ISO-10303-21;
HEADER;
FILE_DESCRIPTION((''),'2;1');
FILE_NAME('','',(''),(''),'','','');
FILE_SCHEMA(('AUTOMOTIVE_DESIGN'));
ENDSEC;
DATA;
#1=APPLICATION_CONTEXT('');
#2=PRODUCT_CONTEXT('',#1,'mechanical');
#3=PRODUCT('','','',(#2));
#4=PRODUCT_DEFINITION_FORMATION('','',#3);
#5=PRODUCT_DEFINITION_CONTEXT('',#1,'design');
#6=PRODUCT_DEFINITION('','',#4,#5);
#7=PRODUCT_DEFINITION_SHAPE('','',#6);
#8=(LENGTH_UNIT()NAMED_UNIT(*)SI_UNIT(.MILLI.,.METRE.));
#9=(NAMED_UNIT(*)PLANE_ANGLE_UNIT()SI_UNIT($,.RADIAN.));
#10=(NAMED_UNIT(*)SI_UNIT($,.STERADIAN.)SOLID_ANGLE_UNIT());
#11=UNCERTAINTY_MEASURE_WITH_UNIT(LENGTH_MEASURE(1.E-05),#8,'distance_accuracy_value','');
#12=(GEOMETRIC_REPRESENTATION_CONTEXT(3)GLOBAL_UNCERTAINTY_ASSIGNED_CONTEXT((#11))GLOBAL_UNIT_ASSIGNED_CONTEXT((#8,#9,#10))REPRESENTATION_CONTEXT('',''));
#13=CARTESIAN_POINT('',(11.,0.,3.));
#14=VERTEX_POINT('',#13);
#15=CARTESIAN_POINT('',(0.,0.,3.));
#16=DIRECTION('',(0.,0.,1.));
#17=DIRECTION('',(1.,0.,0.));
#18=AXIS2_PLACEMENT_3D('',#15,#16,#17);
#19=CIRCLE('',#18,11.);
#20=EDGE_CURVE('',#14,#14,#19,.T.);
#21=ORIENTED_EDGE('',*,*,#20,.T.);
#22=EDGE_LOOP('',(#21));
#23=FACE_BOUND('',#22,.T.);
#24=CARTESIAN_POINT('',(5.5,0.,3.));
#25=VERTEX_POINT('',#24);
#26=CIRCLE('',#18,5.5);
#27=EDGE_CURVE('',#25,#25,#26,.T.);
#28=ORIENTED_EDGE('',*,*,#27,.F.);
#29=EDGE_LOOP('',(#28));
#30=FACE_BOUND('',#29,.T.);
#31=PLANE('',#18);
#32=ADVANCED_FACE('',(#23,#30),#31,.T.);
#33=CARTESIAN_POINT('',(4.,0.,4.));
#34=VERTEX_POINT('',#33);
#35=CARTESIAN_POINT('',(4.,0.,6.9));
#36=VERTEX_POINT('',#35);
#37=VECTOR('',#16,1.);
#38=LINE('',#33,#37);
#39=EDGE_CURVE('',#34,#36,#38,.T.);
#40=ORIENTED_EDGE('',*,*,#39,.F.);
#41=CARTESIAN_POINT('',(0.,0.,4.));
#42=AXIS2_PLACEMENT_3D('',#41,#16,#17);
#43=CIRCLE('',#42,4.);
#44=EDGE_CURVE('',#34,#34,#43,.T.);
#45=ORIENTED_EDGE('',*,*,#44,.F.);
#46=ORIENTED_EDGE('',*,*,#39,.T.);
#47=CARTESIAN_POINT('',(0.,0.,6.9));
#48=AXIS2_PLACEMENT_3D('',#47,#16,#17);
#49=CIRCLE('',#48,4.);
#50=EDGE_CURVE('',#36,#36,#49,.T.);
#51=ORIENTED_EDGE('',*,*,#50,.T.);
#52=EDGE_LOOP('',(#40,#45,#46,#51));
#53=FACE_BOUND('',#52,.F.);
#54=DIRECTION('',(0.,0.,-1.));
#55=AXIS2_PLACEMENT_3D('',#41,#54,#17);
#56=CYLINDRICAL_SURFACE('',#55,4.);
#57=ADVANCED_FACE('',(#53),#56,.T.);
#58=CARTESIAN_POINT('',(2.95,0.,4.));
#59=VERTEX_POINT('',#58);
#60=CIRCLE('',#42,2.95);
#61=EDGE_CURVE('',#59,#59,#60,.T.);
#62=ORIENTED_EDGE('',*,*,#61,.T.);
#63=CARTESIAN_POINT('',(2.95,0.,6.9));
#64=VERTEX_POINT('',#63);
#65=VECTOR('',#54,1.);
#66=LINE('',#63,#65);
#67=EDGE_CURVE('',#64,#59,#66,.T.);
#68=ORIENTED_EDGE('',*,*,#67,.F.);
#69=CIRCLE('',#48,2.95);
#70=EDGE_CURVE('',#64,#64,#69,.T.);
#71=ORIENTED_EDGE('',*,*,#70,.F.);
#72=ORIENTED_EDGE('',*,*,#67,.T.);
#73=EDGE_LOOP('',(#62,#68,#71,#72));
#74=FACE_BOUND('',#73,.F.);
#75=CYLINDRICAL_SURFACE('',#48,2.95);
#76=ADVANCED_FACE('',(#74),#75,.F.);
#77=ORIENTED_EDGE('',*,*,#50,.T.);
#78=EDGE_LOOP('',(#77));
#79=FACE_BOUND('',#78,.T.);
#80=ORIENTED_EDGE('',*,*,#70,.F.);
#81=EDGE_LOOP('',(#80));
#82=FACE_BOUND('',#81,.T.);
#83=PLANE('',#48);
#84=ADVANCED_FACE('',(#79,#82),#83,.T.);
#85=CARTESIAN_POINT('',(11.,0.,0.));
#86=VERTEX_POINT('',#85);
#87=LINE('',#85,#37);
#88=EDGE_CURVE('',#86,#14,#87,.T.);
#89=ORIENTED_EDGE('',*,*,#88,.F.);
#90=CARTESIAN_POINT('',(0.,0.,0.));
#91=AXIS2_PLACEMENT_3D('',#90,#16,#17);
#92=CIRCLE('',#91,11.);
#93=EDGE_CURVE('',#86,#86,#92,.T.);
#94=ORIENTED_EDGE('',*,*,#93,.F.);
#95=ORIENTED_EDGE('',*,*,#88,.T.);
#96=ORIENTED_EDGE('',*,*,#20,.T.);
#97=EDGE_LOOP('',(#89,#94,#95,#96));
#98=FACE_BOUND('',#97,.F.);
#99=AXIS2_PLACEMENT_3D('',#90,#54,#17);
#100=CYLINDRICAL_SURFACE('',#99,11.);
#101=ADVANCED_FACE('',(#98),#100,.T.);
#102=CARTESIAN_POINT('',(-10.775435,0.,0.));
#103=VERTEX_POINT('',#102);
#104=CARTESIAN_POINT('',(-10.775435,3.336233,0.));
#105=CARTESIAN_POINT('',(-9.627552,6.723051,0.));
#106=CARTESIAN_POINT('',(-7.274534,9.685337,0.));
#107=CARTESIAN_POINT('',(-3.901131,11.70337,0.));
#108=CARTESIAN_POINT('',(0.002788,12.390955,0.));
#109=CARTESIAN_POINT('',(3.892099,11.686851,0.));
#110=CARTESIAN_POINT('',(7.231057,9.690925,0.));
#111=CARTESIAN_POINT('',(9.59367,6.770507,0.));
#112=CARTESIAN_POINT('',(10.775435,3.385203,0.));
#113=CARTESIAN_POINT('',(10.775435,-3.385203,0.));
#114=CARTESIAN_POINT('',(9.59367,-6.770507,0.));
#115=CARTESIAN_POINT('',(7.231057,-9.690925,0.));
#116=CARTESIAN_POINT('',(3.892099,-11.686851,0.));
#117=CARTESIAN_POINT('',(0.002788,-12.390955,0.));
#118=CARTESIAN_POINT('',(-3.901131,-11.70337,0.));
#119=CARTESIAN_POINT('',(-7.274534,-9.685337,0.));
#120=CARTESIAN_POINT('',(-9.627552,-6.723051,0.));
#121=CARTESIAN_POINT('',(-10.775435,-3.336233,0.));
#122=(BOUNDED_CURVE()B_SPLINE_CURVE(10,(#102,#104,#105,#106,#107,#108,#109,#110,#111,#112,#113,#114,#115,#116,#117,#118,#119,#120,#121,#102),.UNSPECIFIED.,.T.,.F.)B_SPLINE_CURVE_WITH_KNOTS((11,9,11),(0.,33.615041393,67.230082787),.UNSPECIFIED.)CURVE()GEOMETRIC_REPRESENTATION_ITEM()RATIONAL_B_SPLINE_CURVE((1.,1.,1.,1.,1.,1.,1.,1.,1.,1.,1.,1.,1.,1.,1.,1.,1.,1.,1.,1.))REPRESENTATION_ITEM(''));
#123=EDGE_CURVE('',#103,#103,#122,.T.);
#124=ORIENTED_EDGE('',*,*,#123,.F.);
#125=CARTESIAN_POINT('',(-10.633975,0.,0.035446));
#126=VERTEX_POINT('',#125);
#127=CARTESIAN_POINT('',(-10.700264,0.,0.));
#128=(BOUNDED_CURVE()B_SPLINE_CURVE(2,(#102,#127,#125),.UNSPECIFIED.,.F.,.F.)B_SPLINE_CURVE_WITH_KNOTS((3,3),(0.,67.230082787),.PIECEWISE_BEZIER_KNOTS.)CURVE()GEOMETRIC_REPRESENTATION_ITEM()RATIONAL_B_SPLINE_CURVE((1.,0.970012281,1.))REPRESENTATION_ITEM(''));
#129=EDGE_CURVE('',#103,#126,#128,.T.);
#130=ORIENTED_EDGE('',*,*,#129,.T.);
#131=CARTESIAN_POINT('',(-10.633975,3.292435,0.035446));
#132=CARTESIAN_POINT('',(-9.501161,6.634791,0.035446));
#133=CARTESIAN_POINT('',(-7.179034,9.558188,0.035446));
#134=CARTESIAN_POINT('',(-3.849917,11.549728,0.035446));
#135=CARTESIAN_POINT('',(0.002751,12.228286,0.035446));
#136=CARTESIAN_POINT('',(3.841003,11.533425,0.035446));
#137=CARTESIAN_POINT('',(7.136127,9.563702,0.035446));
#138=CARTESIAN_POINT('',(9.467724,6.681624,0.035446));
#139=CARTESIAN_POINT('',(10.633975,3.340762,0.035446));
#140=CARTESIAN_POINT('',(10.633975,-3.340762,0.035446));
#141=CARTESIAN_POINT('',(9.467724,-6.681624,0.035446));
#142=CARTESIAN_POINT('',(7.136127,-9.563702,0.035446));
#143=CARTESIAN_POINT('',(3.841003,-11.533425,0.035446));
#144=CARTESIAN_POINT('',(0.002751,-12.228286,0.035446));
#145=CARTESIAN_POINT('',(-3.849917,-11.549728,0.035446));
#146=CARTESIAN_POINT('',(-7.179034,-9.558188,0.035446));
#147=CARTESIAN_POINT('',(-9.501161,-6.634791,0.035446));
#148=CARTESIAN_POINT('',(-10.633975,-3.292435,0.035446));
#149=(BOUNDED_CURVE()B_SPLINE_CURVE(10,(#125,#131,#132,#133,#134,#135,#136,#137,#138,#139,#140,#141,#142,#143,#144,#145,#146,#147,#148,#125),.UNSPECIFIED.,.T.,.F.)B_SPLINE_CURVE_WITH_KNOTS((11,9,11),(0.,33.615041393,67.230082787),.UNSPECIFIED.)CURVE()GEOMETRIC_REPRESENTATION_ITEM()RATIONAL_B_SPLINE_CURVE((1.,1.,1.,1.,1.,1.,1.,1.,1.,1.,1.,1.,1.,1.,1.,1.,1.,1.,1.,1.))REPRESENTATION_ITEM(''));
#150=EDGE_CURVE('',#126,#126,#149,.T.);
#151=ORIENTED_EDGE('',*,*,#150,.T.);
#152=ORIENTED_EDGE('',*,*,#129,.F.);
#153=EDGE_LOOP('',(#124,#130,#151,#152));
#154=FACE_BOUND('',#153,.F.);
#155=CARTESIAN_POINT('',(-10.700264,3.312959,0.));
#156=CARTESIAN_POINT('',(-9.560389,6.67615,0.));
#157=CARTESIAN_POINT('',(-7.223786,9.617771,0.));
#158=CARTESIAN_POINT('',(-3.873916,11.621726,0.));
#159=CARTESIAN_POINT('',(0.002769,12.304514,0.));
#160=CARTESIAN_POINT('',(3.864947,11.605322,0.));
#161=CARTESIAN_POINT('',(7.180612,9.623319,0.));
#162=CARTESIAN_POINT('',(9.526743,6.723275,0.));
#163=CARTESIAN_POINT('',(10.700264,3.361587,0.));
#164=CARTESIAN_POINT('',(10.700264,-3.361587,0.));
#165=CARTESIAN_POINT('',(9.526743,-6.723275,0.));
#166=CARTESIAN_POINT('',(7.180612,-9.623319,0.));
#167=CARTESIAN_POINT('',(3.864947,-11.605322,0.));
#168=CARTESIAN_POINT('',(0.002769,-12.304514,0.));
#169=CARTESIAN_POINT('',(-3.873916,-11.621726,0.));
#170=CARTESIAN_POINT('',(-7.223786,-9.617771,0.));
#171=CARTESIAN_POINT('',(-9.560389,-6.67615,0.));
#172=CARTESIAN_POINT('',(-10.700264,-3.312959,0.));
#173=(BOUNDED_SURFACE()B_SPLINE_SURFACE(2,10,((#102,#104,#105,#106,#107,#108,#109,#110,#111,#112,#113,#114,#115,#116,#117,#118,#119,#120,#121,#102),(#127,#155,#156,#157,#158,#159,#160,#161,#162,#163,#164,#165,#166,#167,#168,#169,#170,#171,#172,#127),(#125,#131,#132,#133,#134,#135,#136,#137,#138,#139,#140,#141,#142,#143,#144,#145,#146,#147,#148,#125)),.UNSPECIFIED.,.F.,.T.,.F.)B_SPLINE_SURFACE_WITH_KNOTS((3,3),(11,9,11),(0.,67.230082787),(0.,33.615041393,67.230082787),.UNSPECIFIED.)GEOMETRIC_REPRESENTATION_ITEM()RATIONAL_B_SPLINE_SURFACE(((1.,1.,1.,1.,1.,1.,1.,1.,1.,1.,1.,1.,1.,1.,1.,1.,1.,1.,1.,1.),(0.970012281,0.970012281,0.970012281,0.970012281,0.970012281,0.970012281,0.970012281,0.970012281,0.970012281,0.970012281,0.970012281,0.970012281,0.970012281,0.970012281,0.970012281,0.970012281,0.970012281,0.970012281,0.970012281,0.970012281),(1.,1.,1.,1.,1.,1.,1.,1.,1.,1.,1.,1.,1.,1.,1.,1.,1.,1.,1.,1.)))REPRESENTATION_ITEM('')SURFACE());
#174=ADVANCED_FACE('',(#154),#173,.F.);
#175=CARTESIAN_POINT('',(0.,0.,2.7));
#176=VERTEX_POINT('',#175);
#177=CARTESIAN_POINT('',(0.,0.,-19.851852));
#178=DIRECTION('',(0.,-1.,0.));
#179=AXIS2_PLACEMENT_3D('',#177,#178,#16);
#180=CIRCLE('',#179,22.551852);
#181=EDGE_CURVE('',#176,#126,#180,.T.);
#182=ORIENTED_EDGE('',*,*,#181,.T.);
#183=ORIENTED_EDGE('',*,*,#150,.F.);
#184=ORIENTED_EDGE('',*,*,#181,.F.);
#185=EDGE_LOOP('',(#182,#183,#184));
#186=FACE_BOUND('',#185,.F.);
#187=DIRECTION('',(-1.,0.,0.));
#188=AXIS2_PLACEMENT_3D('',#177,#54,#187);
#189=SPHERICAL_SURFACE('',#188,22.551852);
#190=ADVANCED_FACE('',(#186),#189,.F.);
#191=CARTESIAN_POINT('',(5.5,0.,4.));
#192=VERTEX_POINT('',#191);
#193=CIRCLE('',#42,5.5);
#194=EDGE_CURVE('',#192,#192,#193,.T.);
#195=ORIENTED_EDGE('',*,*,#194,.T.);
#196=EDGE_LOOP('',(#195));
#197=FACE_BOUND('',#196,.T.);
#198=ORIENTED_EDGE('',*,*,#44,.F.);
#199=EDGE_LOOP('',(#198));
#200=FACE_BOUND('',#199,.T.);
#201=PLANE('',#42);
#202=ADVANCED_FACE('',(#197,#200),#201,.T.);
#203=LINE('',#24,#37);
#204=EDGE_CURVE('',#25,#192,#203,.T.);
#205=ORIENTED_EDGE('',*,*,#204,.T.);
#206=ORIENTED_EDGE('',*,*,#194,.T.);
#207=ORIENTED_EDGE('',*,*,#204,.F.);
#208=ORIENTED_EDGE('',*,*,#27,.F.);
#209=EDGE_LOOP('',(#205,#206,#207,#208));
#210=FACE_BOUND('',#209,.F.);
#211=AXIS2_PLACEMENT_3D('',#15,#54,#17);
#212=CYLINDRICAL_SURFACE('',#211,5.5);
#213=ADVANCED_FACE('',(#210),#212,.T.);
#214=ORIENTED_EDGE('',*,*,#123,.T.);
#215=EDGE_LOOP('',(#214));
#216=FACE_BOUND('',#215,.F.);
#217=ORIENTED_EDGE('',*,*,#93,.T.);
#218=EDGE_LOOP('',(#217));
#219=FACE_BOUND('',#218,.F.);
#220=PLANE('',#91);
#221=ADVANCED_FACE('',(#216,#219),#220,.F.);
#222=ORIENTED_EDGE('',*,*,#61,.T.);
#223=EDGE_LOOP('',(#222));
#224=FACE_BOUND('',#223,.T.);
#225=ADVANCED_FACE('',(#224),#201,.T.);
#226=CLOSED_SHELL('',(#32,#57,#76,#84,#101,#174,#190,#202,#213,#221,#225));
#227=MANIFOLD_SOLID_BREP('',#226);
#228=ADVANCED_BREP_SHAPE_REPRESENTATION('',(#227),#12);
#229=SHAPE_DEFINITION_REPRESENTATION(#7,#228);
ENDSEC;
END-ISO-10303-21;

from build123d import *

# Parameters (mm, degrees)
F0_R      = 11
F1_DEPTH  = 3
F5_R      = 5.5
F6_DEPTH  = 1
F7_R      = 4
F8_DEPTH  = 2.9
F9_R      = 2.95
F10_DEPTH = 2.9
F11_R     = 0.3


with BuildPart() as f1:
    # F0 (on Top) → F1 (new body)
    with BuildSketch(Plane.XY):
        Circle(F0_R)
    extrude(amount=F1_DEPTH)

    # F3 (on Front) → F4 (revolve, cut)
    with BuildSketch(Plane.XZ):
        with BuildLine():
            Line((0, -42.4037037037), (0, 2.7))
            ThreePointArc((0, 2.7), (-22.5518518519, -19.8518518519), (0, -42.4037037037))
        make_face()
    revolve(axis=Axis((0, 0, -19.8518518519), (0, 0, -1)), mode=Mode.SUBTRACT)

    # F5 (on face) → F6 (join)
    with BuildSketch(Plane.XY.offset(3)):
        Circle(F5_R)
    extrude(amount=F6_DEPTH)

    # F7 (on face) → F8 (join)
    with BuildSketch(Plane.XY.offset(4)):
        Circle(F7_R)
    extrude(amount=F8_DEPTH)

    # F9 (on face) → F10 (cut)
    with BuildSketch(Plane.XY.offset(6.9)):
        Circle(F9_R)
    extrude(amount=-F10_DEPTH, mode=Mode.SUBTRACT)

    # F11
    f11_edges = [f1.edges().sort_by_distance(p)[0] for p in [
        (10.7, 0, 0),
    ]]
    fillet(f11_edges, radius=F11_R)


solid = f1.part
